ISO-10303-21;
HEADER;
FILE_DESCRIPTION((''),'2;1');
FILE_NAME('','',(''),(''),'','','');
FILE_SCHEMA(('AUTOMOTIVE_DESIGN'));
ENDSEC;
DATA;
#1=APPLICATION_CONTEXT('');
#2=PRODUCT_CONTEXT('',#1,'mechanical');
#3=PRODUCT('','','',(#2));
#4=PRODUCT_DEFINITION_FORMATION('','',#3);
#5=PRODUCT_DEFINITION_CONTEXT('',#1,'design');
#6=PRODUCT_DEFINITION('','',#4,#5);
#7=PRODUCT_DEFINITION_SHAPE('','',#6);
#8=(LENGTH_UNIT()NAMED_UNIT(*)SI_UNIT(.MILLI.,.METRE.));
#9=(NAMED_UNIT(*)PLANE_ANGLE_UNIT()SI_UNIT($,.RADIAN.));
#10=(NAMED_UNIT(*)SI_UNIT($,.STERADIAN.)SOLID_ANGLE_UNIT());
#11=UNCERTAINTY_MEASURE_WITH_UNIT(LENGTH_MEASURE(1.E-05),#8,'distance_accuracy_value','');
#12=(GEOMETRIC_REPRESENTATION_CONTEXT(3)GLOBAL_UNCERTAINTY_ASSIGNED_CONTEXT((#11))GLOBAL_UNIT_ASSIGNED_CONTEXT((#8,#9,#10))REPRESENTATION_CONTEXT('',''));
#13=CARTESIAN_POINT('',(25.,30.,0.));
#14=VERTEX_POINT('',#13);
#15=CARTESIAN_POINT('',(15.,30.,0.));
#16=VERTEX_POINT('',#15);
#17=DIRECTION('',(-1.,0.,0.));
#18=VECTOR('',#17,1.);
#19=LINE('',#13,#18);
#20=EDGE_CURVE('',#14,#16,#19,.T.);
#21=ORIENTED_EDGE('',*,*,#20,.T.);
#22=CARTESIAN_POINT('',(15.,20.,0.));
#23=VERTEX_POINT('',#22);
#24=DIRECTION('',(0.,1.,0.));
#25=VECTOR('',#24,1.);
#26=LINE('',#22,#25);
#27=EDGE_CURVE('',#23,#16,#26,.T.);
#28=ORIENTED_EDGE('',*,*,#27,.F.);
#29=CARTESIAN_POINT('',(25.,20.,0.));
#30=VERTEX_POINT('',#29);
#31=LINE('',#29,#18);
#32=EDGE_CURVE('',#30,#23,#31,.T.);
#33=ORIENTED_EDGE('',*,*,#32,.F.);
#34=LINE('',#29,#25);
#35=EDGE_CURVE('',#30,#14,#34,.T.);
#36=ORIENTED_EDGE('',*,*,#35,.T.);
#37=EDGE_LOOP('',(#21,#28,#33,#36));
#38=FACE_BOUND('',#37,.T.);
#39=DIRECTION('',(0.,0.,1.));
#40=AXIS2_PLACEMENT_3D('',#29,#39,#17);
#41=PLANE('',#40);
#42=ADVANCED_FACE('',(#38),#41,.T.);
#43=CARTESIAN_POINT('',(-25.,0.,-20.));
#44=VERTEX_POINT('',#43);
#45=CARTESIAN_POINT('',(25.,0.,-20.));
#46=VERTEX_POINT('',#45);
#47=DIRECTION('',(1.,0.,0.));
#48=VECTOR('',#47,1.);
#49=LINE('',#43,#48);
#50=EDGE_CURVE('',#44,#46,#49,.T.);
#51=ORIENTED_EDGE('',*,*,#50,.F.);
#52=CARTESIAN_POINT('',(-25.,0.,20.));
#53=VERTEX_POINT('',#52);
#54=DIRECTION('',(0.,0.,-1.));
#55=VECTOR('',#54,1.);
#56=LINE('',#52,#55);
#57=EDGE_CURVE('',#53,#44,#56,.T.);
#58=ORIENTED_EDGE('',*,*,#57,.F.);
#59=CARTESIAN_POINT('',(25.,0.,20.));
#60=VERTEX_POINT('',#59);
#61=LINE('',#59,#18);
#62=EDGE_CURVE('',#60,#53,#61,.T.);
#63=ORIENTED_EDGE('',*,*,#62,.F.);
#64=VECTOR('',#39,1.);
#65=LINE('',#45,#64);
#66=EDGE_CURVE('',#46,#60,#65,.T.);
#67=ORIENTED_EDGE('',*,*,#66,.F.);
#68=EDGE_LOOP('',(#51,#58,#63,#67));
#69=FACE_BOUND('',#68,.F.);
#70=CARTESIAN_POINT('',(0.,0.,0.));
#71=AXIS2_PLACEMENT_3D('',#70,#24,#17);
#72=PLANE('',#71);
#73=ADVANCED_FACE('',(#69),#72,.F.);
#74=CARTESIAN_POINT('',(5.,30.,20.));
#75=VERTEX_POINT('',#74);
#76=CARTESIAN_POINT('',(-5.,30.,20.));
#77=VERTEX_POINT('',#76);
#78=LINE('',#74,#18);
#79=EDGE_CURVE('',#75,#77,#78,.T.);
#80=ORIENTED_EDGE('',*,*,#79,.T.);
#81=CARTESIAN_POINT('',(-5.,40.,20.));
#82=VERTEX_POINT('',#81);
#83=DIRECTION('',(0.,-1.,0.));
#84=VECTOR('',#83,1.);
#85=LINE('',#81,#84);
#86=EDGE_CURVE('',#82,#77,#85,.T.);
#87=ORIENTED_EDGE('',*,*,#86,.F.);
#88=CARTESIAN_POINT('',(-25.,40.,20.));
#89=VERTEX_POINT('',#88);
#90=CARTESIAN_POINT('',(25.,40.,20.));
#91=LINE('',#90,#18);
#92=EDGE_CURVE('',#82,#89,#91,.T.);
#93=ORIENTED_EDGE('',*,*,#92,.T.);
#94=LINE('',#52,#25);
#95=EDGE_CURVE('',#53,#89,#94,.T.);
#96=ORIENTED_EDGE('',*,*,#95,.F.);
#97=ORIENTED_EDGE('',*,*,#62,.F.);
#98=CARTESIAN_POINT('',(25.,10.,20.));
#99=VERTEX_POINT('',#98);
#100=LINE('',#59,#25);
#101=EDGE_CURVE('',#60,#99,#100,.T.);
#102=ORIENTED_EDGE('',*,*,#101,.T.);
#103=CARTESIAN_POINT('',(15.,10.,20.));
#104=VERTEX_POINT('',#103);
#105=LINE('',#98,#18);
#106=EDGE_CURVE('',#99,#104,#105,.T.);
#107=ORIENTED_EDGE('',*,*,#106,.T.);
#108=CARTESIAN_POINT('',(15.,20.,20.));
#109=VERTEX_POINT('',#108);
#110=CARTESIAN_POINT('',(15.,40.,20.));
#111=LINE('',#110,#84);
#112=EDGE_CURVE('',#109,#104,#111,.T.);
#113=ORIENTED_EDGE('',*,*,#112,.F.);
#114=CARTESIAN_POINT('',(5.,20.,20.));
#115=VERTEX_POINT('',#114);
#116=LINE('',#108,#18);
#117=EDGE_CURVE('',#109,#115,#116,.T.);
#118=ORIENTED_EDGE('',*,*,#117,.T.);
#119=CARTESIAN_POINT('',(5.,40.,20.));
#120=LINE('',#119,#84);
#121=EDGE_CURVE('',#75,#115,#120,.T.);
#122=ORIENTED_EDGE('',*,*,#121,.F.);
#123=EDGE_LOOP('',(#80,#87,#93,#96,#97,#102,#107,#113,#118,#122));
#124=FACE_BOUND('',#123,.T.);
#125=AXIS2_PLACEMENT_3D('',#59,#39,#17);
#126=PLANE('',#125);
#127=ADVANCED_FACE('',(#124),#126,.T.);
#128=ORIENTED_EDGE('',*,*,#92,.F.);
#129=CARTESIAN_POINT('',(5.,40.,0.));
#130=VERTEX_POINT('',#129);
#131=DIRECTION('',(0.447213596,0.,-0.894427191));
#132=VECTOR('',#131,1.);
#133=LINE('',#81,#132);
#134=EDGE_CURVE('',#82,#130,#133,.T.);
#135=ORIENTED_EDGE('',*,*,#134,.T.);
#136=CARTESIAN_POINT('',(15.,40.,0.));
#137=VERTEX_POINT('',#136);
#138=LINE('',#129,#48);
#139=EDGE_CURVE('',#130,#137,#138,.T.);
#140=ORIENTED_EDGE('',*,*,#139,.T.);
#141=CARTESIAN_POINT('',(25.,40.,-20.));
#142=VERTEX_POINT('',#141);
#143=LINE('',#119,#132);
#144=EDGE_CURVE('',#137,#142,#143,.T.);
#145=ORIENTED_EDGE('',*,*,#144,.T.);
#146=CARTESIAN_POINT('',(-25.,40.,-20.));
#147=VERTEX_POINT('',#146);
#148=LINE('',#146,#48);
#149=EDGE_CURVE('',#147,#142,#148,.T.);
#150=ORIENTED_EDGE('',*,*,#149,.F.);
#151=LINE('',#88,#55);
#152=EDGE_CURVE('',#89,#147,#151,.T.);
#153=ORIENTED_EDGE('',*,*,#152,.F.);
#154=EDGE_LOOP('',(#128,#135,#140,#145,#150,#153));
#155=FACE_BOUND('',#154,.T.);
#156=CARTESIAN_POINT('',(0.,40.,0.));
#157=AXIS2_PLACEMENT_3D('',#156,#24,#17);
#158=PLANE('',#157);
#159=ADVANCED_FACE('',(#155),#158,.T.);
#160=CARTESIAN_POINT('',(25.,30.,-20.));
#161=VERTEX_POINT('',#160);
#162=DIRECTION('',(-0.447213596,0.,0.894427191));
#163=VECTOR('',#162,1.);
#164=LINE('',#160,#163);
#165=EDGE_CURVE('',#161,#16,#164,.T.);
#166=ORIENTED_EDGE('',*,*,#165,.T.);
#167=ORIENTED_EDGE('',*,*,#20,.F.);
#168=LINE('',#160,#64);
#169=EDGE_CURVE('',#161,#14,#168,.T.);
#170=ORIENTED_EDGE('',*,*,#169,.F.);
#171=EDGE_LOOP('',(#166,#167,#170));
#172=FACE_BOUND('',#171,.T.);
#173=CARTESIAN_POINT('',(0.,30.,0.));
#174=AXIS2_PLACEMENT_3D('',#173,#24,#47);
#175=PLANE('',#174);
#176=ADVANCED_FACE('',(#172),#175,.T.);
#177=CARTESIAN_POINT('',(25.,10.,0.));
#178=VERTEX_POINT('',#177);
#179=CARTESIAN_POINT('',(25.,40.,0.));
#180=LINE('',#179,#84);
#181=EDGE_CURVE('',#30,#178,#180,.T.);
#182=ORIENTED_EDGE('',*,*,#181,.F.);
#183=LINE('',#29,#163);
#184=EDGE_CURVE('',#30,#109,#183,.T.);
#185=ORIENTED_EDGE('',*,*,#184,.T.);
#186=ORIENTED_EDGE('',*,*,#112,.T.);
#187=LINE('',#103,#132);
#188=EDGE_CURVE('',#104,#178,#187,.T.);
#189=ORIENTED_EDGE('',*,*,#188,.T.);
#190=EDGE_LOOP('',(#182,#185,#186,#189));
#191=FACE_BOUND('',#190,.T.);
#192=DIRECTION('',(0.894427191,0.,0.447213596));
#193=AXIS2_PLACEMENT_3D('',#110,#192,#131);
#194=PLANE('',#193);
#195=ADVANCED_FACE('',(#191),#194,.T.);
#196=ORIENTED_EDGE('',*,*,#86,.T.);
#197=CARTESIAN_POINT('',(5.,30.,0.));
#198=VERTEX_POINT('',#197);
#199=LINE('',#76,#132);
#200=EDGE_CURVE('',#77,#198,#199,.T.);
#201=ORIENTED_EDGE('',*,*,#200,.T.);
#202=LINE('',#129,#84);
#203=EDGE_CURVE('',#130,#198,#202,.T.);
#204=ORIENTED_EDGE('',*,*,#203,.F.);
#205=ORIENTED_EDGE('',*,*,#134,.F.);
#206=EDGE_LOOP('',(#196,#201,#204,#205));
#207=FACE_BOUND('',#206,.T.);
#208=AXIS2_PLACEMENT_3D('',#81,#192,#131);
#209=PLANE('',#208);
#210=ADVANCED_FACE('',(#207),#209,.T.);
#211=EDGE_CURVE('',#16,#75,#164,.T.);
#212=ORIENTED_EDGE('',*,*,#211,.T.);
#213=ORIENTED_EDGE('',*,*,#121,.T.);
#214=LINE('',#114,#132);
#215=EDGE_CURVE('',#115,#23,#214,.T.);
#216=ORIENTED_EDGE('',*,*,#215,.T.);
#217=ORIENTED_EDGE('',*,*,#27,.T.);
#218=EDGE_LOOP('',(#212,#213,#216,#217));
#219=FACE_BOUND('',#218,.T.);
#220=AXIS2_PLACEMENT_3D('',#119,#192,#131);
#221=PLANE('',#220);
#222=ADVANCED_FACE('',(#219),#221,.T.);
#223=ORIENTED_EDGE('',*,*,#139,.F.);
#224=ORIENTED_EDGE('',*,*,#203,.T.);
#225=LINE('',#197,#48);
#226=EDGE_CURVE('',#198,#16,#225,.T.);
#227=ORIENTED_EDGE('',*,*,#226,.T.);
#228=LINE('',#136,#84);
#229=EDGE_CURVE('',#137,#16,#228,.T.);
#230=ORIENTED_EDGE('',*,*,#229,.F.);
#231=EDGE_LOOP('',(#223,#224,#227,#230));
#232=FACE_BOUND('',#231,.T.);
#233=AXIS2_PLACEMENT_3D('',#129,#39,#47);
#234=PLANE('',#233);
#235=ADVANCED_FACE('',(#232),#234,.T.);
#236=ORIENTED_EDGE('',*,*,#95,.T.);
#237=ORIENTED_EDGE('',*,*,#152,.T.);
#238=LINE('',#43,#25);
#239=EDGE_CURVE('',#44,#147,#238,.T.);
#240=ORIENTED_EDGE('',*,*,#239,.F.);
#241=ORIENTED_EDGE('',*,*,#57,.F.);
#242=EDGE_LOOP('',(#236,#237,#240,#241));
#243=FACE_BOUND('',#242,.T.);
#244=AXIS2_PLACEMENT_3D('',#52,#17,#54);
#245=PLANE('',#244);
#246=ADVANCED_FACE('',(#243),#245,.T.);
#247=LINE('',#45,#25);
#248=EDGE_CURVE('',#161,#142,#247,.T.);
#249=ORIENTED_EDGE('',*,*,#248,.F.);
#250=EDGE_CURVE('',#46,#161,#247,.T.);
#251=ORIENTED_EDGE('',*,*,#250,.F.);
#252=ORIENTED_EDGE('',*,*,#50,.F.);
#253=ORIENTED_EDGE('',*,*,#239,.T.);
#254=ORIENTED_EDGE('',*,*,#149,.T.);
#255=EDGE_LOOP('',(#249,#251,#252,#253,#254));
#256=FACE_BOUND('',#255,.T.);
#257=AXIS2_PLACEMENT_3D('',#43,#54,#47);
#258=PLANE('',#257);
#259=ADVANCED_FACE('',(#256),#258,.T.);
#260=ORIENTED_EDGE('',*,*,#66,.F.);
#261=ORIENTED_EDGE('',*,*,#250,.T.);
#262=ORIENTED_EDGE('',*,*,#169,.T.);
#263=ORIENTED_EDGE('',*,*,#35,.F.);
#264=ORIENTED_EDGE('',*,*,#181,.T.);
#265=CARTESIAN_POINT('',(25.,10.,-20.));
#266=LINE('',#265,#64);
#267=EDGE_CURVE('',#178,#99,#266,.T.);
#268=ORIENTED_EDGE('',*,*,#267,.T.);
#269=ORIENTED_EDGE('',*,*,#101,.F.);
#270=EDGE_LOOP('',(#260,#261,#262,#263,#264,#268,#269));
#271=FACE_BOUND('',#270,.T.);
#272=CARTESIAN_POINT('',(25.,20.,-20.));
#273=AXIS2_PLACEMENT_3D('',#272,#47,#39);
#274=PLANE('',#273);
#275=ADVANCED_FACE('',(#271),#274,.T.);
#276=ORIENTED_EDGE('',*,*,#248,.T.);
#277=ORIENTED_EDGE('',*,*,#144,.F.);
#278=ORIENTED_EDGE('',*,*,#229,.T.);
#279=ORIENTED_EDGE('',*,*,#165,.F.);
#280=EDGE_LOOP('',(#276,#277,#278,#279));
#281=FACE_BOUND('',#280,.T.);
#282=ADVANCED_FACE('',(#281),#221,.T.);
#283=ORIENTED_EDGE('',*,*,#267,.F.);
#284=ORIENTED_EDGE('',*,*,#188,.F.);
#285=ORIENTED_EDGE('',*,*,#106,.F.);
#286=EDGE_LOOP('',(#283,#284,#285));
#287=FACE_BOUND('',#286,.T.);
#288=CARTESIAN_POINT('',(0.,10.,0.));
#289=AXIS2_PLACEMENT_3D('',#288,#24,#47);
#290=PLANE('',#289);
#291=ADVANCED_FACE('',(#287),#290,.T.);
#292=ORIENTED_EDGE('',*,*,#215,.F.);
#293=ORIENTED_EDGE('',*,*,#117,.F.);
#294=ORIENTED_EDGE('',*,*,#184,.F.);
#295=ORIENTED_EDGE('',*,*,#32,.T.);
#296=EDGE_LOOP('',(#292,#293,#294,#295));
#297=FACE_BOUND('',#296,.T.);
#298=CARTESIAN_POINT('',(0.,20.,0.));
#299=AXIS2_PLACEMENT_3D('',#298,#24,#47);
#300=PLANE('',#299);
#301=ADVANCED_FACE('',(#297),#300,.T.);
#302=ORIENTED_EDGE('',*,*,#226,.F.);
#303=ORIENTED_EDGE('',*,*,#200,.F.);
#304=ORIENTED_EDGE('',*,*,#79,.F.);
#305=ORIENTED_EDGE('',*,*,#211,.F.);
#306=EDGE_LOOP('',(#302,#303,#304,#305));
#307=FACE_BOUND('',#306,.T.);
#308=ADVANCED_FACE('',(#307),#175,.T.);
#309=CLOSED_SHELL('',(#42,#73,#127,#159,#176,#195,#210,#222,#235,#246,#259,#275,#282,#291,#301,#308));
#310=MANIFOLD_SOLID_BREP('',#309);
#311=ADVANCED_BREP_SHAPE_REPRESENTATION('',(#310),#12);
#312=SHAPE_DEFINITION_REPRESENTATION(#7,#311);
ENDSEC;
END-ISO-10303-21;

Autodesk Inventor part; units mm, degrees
ref_plane "YZ Plane" through (0, 0, 0) normal (1, 0, 0) x (0, 1, 0)
ref_plane "XZ Plane" through (0, 0, 0) normal (0, 1, 0) x (-1, 0, 0)
ref_plane "XY Plane" through (0, 0, 0) normal (0, 0, 1) x (1, 0, 0)
sketch "草圖1" plane through (0, 0, 0) normal (0, 1, 0) x (-1, 0, 0)
  line L0 (-25, 20) -> (25, 20)
  line L1 (25, 20) -> (25, -20)
  line L2 (25, -20) -> (-25, -20)
  line L3 (-25, -20) -> (-25, 20)
  line L4 (-25, 20) -> (25, -20) construction
  line L5 (25, 20) -> (-25, -20) construction
  point P0 (0, 0)
  dimension "d0" = 50
  dimension "d1" = 40
extrude "擠出1" add sketch "草圖1" along normal blind 40
sketch "草圖2" plane through (0, 40, 0) normal (0, 1, 0) x (1, 0, 0)
  line L0 (-25, 20) -> (25, 20) projected
  line L1 (25, 20) -> (25, -20) projected
  line L2 (25, -20) -> (-25, -20) projected
  line L3 (-25, -20) -> (-25, 20) projected
  line L4 (15, -20) -> (25, 0)
  point P0 (0, 0)
  dimension "d4" = 10
  dimension "d5" = 20
extrude "擠出2" cut sketch "草圖2" against normal blind 30 contours L1 L2 L4
sketch "草圖3" plane through (0, 40, 0) normal (0, 1, 0) x (1, 0, 0)
  line L0 (25, 0) -> (15, -20) projected
  line L1 (15, -20) -> (-25, -20) projected
  line L2 (-25, -20) -> (-25, 20) projected
  line L3 (-25, 20) -> (25, 20) projected
  line L4 (25, 20) -> (25, 0) projected
  line L5 (5, -20) -> (25, 20)
  line L6 (25, 0) -> (25, -20) projected
  point P0 (0, 0)
  dimension "d8" = 20
extrude "擠出3" cut sketch "草圖3" against normal blind 20 contours L0 L1 L5 L4
sketch "草圖4" plane through (0, 40, 0) normal (0, 1, 0) x (1, 0, 0)
  line L0 (25, 20) -> (5, -20) projected
  line L1 (5, -20) -> (-25, -20) projected
  line L2 (-25, -20) -> (-25, 20) projected
  line L3 (-25, 20) -> (25, 20) projected
  line L4 (-5, -20) -> (5, 0)
  line L5 (5, 0) -> (15, 0)
  line L6 (25, 0) -> (25, -20) projected
  point P0 (0, 0)
  dimension "d11" = 20
  dimension "d12" = 30
  dimension "d13" = 10
extrude "擠出4" cut sketch "草圖4" against normal blind 10 contours L0 L1 L4 L5
sketch "草圖5" plane through (0, 20, 0) normal (0, 1, 0) x (1, 0, 0)
  line L0 (25, 20) -> (5, -20) projected
  line L1 (15, -20) -> (5, -20) projected
  line L2 (25, 0) -> (15, -20) projected
  line L3 (25, 20) -> (25, 0) projected
  line L4 (-25, 20) -> (25, 20) projected
  line L5 (-25, -20) -> (-25, 20) projected
  line L6 (5, -20) -> (-25, -20) projected
  line L7 (25, 0) -> (15, 0)
  line L8 (5, -20) -> (25, 20) projected
  point P0 (0, 0)
extrude "擠出5" add sketch "草圖5" along normal blind 10 contours L3 L7 L0
properties part number "23" material "鋼、碳鋼"
